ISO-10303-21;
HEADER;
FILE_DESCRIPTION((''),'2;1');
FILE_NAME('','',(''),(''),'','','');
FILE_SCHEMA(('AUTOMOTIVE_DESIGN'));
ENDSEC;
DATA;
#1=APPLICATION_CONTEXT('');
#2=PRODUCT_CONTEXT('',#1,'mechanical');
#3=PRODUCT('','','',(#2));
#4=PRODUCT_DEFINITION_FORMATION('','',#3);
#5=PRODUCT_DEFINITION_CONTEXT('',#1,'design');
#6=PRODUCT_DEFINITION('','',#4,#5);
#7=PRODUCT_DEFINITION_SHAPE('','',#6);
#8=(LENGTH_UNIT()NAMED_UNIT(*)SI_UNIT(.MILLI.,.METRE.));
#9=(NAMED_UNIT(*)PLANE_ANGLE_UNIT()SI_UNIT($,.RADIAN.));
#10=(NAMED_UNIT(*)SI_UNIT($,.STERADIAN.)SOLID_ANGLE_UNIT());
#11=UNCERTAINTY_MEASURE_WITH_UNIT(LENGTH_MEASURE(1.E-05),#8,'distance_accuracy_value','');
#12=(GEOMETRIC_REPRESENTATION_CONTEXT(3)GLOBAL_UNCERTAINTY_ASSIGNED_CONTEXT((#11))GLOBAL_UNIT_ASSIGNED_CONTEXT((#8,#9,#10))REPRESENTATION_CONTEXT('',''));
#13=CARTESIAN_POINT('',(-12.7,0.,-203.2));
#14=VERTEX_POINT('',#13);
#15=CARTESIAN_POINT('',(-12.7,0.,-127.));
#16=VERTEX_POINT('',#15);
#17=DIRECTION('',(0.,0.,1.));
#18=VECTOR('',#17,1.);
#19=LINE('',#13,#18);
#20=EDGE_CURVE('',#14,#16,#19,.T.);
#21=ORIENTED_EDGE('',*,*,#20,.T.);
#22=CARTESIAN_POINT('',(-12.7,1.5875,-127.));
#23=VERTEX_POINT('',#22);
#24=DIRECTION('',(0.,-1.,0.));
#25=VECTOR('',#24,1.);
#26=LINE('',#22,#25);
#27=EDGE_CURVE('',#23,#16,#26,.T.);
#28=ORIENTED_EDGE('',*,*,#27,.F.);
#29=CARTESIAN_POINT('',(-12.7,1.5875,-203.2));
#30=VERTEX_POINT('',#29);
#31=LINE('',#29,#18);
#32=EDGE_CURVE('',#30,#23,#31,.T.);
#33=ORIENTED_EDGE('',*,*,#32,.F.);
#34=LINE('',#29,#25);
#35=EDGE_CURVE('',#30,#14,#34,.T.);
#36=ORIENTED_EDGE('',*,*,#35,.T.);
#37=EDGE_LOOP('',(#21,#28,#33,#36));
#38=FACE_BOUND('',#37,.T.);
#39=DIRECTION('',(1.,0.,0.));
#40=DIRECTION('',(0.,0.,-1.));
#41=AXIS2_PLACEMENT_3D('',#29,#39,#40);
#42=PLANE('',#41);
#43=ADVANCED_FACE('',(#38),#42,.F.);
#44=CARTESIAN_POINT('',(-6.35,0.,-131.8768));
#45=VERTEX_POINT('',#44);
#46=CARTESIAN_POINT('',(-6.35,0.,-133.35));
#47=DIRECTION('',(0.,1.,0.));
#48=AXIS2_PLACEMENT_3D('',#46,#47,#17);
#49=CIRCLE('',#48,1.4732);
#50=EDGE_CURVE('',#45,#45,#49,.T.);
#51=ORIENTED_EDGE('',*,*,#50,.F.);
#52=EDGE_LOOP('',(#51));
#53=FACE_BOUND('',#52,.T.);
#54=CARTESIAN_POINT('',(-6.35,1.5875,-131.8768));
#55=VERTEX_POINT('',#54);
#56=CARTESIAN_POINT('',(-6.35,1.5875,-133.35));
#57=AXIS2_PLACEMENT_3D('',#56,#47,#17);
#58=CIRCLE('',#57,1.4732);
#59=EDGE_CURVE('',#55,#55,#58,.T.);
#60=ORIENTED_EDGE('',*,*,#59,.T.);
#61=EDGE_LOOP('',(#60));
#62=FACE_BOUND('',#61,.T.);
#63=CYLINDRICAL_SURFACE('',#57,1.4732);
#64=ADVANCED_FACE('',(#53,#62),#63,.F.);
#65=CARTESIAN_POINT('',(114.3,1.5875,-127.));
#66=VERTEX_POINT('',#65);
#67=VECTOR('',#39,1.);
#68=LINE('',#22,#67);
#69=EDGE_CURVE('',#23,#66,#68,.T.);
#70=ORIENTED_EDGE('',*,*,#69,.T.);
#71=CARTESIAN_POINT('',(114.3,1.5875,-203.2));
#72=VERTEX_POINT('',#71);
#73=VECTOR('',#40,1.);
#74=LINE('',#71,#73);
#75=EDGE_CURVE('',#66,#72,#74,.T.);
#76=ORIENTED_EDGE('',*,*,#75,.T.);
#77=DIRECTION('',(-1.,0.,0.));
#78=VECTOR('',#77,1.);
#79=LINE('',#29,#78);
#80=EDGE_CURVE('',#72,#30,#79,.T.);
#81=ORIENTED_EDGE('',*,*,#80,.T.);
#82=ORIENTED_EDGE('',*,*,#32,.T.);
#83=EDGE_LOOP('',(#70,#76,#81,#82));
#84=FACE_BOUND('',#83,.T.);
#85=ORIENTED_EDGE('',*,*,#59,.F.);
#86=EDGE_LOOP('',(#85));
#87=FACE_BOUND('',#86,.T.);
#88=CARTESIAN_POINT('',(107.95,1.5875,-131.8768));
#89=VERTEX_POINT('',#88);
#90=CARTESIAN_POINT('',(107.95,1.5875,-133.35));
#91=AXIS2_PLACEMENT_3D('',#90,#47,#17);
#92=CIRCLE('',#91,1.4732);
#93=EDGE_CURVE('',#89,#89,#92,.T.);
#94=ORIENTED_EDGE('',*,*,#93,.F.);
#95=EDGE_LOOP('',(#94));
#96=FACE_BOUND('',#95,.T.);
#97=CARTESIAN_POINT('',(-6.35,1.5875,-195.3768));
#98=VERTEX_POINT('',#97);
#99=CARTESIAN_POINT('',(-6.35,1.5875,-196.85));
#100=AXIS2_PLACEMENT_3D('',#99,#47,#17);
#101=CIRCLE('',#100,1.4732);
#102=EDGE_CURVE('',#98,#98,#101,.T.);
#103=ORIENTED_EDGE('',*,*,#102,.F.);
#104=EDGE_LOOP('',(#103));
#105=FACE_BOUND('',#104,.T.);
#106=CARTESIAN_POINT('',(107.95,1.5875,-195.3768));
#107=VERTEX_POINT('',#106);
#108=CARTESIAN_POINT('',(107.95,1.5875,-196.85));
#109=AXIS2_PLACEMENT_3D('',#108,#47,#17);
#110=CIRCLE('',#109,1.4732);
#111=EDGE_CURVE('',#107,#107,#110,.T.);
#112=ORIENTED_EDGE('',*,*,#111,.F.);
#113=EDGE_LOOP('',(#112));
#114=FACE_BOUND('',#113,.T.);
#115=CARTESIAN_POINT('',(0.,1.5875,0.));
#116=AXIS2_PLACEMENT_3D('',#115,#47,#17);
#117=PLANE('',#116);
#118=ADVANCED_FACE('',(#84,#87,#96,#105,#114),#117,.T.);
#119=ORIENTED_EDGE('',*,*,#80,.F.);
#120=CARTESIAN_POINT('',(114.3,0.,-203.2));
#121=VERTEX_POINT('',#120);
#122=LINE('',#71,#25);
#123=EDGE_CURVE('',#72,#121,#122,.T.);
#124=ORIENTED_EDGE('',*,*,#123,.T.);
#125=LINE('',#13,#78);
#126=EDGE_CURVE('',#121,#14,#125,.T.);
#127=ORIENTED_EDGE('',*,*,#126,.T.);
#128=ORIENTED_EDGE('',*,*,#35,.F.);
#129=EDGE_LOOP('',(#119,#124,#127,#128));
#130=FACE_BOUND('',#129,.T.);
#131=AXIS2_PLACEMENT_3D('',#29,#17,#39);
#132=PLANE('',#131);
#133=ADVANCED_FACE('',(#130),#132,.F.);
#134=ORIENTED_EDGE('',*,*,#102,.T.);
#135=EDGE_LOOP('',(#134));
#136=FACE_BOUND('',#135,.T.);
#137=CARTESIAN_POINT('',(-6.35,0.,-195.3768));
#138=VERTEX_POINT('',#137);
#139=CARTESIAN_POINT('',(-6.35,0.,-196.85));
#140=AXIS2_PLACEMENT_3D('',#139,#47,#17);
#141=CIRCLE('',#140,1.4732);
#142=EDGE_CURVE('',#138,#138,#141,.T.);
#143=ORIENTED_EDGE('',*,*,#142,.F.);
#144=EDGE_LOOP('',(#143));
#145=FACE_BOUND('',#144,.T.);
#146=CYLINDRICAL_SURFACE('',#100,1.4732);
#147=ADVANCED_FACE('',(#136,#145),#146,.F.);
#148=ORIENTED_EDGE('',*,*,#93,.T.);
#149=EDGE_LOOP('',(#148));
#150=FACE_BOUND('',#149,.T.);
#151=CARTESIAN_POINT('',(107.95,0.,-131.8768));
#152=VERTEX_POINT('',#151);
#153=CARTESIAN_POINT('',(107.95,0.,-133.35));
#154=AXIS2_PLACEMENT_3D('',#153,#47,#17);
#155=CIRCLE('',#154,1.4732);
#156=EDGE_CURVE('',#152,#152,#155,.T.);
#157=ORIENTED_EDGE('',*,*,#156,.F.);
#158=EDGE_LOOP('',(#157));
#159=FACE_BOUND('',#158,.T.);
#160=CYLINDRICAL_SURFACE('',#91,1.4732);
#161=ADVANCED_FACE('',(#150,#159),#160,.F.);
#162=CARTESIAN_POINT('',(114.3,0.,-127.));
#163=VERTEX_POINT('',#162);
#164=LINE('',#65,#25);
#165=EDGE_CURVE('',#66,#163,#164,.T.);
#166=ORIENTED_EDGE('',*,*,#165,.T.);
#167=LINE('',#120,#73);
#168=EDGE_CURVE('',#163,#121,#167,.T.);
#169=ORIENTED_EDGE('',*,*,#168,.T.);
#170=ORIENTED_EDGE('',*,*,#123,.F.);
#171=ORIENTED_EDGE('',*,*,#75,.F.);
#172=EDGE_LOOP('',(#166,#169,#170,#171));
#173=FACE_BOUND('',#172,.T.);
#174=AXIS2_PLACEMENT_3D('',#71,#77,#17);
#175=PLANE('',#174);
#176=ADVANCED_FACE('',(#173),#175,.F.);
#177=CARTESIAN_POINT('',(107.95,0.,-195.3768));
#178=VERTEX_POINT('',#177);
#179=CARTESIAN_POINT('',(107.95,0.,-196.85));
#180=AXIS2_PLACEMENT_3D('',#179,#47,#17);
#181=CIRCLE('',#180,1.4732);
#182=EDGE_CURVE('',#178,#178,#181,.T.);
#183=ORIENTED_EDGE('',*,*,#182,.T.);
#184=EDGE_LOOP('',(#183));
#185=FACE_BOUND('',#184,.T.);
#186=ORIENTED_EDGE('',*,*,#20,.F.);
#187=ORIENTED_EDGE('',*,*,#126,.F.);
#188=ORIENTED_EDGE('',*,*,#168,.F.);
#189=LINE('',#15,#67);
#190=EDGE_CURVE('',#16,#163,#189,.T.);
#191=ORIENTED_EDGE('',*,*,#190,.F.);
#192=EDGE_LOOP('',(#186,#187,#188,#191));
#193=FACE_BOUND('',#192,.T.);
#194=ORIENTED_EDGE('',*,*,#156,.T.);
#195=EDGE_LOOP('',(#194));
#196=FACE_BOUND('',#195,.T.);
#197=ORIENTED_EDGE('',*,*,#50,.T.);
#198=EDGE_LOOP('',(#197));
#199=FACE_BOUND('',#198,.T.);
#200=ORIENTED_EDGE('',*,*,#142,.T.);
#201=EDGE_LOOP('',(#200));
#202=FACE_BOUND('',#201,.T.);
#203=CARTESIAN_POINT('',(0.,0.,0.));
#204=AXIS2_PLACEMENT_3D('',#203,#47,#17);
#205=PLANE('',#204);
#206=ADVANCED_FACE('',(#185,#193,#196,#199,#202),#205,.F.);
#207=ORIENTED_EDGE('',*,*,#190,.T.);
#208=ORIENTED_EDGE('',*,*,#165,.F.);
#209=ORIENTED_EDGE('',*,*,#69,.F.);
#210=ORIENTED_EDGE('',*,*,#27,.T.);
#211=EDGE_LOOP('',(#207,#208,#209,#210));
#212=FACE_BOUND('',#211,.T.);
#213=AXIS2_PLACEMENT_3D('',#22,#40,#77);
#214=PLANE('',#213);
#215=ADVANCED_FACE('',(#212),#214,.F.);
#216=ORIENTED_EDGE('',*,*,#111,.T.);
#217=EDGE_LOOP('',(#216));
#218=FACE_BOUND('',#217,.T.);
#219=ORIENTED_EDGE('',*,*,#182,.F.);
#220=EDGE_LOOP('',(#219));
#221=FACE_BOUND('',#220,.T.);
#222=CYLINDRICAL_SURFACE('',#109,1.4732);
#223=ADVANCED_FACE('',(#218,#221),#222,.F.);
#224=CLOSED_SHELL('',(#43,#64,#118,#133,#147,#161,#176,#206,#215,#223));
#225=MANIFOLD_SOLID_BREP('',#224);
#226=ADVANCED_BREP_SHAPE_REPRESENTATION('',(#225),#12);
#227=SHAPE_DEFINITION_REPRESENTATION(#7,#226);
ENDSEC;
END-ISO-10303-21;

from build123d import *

# Parameters (mm, degrees)
SKETCH2_W                   = 127
SKETCH2_H                   = 76.2
BOSS_EXTRUDE1_DEPTH         = 1.5875
F_32_0_116_DIAMETER_HOLE3_D = 2.9464


with BuildPart() as part:
    # Sketch2 → Boss-Extrude1 (new body)
    with BuildSketch(Plane(origin=(0, 0, 0), x_dir=(1, 0, 0), z_dir=(0, 1, 0))):
        with Locations((50.8, 165.1)):
            Rectangle(SKETCH2_W, SKETCH2_H)
    extrude(amount=BOSS_EXTRUDE1_DEPTH)

    # #32 (0.116) Diameter Hole3 (through all)
    with Locations(Plane(origin=(0, 1.5875, 0), x_dir=(1, 0, 0), z_dir=(0, 1, 0))):
        with Locations((-6.35, 196.85), (-6.35, 133.35), (107.95, 133.35), (107.95, 196.85)):
            Hole(F_32_0_116_DIAMETER_HOLE3_D / 2)


solid = part.part
